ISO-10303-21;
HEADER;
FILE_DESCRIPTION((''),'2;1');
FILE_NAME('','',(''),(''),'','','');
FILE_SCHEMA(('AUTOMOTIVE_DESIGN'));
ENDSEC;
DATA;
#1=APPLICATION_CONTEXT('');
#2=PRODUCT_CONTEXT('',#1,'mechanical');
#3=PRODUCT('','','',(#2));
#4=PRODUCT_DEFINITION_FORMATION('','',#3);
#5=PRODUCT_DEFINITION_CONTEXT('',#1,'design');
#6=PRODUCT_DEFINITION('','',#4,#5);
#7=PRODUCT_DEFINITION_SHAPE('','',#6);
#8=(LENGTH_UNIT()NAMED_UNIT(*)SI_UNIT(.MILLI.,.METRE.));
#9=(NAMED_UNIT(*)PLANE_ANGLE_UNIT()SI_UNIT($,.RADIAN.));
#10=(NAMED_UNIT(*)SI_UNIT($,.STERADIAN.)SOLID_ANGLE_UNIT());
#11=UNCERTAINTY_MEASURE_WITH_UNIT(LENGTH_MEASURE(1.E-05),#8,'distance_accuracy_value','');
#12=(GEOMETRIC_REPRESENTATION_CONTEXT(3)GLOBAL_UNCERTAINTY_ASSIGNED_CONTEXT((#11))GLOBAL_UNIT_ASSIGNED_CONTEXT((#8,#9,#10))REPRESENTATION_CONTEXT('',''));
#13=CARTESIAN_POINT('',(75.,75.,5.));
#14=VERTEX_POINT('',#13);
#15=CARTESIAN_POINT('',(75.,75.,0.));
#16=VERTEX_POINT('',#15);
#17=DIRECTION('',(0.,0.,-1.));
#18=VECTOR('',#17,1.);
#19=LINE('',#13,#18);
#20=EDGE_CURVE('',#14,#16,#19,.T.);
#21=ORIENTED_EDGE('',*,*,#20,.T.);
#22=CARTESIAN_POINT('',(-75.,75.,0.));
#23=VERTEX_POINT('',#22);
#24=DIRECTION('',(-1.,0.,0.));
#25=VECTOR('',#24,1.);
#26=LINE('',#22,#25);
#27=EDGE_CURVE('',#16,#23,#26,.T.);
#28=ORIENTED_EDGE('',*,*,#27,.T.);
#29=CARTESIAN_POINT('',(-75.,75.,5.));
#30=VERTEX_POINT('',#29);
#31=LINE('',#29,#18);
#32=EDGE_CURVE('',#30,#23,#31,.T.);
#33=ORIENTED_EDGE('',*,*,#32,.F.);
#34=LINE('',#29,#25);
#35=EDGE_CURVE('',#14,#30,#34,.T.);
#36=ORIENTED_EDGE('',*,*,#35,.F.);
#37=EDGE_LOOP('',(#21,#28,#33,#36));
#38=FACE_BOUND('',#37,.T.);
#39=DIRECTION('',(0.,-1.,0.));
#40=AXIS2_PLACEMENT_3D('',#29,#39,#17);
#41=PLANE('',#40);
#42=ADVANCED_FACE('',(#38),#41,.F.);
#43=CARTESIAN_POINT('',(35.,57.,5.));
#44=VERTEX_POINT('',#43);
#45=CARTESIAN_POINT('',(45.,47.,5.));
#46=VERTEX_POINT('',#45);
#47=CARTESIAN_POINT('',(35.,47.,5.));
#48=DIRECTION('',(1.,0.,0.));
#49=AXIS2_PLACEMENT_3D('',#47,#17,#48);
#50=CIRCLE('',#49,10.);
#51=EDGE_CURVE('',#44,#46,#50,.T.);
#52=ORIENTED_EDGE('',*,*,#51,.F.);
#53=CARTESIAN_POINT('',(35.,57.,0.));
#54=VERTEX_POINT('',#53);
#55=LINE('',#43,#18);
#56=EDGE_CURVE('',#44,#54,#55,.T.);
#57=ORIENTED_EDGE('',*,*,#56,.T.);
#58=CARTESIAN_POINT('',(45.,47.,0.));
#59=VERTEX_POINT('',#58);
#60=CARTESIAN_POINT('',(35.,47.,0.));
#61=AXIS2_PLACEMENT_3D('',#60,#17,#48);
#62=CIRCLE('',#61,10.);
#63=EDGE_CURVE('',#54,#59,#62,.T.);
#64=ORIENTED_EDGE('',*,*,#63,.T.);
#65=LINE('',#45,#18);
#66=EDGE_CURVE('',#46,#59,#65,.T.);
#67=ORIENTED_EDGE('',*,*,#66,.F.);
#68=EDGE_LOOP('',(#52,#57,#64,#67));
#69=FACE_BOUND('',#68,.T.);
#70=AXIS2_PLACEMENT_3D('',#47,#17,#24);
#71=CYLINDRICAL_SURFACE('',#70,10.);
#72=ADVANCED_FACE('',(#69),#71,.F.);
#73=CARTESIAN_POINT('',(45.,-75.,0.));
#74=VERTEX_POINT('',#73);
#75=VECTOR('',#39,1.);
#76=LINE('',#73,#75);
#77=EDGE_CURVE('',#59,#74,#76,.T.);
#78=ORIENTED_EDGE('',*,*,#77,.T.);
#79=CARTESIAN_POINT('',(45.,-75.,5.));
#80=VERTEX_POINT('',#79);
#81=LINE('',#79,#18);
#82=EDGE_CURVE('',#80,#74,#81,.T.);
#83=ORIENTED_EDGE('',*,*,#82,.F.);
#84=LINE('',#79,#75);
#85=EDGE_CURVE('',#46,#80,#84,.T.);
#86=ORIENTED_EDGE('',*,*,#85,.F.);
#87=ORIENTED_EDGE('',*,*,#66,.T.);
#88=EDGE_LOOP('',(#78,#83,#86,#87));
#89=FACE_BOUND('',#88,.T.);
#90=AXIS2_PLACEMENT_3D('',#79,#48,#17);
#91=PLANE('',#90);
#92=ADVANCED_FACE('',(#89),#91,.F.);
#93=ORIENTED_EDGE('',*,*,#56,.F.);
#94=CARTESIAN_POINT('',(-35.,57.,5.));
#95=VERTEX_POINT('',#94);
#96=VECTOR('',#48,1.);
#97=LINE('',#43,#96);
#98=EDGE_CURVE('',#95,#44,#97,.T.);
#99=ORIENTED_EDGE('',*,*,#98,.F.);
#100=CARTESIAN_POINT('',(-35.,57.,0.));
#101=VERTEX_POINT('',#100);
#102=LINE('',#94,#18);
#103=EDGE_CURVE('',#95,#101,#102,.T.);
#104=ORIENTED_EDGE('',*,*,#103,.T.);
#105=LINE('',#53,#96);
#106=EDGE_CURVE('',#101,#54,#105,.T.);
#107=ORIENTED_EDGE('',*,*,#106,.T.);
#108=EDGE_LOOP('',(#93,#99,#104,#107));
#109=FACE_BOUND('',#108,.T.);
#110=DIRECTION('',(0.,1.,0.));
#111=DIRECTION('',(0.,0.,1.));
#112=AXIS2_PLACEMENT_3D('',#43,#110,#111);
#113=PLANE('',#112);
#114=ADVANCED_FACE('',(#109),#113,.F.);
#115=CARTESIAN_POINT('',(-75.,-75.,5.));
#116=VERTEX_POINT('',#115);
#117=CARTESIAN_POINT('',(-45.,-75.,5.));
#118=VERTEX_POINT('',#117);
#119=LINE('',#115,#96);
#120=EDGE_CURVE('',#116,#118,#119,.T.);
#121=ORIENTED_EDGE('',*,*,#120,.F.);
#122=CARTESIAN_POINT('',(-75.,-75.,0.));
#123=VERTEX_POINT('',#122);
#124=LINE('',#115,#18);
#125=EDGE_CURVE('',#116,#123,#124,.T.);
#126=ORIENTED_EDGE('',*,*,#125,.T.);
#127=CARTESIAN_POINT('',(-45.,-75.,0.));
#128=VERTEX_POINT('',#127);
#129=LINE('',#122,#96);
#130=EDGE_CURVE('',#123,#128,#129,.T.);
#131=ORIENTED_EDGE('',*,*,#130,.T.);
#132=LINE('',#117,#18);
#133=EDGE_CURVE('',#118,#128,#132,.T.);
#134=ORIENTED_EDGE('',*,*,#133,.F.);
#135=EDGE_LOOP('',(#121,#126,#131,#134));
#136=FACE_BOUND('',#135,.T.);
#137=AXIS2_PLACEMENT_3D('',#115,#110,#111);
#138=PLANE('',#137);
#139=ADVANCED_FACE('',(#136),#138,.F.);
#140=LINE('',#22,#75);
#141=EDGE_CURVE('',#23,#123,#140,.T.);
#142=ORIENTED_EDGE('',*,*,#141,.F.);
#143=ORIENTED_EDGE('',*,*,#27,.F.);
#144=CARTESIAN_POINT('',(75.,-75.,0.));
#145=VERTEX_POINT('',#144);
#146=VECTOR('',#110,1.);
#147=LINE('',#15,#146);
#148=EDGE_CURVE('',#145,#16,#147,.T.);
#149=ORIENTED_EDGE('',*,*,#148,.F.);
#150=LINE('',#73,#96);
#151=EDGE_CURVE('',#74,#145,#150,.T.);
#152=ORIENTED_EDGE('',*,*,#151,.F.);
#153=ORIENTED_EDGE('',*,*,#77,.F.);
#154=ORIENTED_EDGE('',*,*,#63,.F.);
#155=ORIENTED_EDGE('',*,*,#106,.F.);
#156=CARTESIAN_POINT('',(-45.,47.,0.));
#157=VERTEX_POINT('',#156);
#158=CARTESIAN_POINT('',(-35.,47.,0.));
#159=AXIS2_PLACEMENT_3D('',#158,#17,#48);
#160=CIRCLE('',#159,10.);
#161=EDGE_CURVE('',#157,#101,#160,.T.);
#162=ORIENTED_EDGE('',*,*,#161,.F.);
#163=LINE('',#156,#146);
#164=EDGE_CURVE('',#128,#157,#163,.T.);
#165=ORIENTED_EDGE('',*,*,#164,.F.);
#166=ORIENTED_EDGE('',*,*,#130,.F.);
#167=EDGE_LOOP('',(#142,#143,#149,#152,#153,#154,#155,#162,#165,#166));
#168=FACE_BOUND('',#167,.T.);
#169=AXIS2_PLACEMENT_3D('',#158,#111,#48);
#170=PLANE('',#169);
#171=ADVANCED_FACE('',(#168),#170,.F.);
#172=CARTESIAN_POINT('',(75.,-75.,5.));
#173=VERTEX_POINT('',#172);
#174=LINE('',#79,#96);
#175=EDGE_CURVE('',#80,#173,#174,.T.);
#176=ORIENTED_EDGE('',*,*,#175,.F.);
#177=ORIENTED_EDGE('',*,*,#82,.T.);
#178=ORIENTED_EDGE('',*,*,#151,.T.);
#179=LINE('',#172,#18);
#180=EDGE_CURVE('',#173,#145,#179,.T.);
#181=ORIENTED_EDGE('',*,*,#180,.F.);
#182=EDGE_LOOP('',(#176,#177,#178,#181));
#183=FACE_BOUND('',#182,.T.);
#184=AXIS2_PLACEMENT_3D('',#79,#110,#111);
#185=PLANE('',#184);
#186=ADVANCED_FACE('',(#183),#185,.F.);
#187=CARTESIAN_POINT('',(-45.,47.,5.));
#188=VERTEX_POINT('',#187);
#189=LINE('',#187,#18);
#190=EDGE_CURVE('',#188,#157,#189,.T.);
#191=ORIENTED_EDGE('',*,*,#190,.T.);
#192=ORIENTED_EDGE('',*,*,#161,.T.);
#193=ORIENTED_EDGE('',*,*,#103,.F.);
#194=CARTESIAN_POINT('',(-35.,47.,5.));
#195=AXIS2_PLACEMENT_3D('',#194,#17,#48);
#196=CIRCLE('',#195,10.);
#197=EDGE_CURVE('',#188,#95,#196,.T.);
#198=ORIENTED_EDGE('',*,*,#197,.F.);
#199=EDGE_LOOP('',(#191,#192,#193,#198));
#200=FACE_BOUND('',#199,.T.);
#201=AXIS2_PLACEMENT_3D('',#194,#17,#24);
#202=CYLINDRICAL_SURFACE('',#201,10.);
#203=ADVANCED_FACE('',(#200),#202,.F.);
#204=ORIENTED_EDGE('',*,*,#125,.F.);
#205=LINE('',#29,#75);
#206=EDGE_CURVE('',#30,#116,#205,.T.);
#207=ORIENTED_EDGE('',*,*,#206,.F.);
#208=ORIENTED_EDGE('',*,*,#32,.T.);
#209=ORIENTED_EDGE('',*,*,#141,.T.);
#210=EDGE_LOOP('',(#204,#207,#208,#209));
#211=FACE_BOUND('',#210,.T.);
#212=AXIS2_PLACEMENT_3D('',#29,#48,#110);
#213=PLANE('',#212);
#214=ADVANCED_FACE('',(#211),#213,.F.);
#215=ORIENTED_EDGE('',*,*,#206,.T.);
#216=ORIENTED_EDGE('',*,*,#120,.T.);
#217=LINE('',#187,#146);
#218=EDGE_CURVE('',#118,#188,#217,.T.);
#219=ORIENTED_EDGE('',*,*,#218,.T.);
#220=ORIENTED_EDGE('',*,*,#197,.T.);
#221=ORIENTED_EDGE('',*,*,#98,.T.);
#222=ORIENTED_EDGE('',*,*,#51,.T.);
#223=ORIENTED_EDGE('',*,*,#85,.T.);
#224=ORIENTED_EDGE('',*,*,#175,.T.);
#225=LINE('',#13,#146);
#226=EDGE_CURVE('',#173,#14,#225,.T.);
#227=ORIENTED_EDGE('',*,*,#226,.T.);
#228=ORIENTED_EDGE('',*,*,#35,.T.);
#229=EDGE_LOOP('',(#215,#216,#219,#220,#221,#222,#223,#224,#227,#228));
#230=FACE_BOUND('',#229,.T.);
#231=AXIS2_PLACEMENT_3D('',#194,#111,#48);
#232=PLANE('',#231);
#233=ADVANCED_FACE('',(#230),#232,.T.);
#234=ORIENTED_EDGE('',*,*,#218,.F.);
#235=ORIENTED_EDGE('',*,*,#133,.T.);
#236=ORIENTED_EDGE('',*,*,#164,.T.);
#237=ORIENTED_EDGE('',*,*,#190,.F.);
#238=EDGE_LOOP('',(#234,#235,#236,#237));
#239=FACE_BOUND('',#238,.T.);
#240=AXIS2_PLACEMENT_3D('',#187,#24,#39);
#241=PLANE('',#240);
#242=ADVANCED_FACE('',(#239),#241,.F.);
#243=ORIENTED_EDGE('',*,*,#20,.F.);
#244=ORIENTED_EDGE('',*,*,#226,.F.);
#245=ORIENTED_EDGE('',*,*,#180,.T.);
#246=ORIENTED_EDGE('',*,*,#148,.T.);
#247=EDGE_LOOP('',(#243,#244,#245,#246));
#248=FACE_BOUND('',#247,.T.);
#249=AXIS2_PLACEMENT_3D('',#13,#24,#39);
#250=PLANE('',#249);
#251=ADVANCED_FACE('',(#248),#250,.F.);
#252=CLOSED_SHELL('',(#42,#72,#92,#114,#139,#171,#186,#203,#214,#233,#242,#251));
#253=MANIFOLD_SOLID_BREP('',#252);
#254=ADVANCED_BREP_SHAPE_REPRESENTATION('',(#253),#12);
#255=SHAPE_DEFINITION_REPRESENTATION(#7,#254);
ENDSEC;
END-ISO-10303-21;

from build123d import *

# Parameters (mm, degrees)
BOSS_EXTRUDE1_DEPTH = 5


with BuildPart() as part:
    # Sketch1 → Boss-Extrude1 (new body)
    with BuildSketch(Plane.XY):
        with BuildLine():
            Line((45, -75), (45, 47))
            ThreePointArc((45, 47), (42.071067812, 54.071067812), (35, 57))
            Line((35, 57), (-35, 57))
            ThreePointArc((-35, 57), (-42.071067812, 54.071067812), (-45, 47))
            Line((-45, 47), (-45, -75))
            Line((-45, -75), (-75, -75))
            Line((-75, -75), (-75, 75))
            Line((-75, 75), (75, 75))
            Line((75, 75), (75, -75))
            Line((75, -75), (45, -75))
        make_face()
    extrude(amount=BOSS_EXTRUDE1_DEPTH)


solid = part.part
